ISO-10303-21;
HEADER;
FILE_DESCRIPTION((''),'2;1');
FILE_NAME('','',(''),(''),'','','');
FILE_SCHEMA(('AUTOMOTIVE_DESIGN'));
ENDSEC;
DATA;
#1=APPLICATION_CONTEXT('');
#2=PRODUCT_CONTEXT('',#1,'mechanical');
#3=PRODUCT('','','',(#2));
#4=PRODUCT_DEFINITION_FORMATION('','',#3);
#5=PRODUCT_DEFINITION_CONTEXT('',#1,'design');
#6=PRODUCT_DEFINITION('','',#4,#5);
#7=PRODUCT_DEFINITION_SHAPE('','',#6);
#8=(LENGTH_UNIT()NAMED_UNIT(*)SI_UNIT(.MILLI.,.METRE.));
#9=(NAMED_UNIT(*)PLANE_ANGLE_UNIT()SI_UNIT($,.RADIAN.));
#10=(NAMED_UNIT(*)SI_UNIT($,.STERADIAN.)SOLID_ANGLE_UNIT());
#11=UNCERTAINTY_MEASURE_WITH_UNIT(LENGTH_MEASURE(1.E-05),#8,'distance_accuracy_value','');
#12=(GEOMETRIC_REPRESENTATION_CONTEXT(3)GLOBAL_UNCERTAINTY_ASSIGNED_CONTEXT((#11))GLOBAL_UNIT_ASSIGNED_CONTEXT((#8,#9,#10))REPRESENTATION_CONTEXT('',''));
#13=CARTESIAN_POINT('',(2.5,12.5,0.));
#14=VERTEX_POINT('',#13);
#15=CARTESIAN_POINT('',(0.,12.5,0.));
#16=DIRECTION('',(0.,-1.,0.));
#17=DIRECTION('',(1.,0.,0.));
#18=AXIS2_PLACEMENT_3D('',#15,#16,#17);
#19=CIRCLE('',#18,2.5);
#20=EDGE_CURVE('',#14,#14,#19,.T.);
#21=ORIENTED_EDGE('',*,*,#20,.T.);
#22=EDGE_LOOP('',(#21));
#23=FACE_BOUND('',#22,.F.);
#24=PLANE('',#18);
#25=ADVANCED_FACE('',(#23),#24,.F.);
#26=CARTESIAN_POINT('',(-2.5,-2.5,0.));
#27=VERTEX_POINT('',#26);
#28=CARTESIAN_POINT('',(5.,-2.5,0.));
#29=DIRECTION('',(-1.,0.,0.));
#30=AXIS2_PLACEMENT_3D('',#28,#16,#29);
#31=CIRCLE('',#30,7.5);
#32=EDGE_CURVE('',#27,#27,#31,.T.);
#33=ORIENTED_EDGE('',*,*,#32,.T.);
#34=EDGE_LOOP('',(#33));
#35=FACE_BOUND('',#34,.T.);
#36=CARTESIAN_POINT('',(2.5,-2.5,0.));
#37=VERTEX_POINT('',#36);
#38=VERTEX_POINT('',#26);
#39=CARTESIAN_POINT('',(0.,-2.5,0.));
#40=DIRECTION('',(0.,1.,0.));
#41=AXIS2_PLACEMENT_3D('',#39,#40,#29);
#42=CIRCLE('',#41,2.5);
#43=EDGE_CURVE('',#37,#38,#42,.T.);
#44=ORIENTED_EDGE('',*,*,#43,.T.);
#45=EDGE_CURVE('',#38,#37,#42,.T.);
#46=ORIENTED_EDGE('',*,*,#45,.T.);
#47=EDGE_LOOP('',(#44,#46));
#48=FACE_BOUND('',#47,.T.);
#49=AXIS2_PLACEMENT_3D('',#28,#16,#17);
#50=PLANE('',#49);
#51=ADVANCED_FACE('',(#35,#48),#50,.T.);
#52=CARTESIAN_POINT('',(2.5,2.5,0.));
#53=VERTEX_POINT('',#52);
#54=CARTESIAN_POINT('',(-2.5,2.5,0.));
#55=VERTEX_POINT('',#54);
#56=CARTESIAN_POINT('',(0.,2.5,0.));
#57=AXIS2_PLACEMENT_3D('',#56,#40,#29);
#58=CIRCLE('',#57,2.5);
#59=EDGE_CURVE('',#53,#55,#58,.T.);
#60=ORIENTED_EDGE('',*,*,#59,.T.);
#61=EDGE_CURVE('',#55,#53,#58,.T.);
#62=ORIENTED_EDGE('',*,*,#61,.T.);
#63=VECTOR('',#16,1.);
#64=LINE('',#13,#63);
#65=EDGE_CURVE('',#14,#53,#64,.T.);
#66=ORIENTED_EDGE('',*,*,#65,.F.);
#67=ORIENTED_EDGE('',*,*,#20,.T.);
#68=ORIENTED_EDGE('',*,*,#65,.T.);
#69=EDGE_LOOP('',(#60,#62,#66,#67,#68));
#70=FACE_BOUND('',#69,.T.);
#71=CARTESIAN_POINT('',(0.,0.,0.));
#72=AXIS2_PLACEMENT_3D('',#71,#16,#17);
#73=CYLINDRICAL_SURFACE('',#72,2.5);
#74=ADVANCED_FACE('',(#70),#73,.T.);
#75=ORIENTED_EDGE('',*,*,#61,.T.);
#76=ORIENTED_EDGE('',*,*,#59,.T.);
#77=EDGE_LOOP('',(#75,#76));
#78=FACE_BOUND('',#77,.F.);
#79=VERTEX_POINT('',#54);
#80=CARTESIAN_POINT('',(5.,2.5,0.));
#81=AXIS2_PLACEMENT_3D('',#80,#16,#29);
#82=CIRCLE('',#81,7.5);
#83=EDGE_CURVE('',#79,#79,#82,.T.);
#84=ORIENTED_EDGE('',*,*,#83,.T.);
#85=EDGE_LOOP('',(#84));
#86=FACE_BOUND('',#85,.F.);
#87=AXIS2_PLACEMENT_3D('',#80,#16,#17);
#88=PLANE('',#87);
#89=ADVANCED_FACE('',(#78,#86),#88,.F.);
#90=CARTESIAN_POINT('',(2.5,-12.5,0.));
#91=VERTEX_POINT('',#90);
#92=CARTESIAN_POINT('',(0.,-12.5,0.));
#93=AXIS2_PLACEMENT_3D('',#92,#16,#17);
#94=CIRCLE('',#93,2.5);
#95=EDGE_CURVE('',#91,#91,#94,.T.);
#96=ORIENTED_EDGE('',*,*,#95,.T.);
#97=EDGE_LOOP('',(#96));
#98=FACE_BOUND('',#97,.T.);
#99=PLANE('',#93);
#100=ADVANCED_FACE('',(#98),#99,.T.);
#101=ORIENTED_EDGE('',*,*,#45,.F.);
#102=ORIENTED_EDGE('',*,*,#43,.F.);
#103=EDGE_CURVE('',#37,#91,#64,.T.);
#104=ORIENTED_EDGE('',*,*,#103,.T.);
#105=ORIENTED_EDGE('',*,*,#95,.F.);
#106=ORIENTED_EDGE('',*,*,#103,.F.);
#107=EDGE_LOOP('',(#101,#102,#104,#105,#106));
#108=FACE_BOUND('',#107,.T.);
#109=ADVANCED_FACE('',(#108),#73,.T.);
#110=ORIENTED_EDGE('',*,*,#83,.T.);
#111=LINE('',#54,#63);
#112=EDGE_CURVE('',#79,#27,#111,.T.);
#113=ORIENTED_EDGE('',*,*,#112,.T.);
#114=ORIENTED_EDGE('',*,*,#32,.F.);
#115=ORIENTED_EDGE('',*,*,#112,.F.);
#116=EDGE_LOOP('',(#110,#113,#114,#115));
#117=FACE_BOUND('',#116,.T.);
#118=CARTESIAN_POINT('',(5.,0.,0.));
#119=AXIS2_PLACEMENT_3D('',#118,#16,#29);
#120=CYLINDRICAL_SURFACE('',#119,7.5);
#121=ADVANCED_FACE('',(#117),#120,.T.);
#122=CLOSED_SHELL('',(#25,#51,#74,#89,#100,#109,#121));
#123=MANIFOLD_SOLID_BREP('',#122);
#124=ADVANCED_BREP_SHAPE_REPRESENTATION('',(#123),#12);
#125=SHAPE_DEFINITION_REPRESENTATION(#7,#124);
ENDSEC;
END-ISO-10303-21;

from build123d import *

# Parameters (mm, degrees)
F1_DEPTH = 12.5
F2_DEPTH = 2.5


with BuildPart() as f1:
    # F0 (on Front) → F1 (new body, symmetric)
    with BuildSketch(Plane.XZ):
        with BuildLine():
            ThreePointArc((-2.5, 0), (0, -2.5), (2.5, 0))
            ThreePointArc((2.5, 0), (0, 2.5), (-2.5, 0))
        make_face()
    extrude(amount=F1_DEPTH, both=True)

    # F0 (on Front) → F2 (join, symmetric)
    with BuildSketch(Plane.XZ):
        with BuildLine():
            ThreePointArc((12.5, 0), (5, 7.5), (-2.5, 0))
            ThreePointArc((-2.5, 0), (5, -7.5), (12.5, 0))
        make_face()
        with BuildLine():
            ThreePointArc((-2.5, 0), (0, 2.5), (2.5, 0))
            ThreePointArc((2.5, 0), (0, -2.5), (-2.5, 0))
        make_face(mode=Mode.SUBTRACT)
    extrude(amount=F2_DEPTH, both=True)


solid = f1.part
